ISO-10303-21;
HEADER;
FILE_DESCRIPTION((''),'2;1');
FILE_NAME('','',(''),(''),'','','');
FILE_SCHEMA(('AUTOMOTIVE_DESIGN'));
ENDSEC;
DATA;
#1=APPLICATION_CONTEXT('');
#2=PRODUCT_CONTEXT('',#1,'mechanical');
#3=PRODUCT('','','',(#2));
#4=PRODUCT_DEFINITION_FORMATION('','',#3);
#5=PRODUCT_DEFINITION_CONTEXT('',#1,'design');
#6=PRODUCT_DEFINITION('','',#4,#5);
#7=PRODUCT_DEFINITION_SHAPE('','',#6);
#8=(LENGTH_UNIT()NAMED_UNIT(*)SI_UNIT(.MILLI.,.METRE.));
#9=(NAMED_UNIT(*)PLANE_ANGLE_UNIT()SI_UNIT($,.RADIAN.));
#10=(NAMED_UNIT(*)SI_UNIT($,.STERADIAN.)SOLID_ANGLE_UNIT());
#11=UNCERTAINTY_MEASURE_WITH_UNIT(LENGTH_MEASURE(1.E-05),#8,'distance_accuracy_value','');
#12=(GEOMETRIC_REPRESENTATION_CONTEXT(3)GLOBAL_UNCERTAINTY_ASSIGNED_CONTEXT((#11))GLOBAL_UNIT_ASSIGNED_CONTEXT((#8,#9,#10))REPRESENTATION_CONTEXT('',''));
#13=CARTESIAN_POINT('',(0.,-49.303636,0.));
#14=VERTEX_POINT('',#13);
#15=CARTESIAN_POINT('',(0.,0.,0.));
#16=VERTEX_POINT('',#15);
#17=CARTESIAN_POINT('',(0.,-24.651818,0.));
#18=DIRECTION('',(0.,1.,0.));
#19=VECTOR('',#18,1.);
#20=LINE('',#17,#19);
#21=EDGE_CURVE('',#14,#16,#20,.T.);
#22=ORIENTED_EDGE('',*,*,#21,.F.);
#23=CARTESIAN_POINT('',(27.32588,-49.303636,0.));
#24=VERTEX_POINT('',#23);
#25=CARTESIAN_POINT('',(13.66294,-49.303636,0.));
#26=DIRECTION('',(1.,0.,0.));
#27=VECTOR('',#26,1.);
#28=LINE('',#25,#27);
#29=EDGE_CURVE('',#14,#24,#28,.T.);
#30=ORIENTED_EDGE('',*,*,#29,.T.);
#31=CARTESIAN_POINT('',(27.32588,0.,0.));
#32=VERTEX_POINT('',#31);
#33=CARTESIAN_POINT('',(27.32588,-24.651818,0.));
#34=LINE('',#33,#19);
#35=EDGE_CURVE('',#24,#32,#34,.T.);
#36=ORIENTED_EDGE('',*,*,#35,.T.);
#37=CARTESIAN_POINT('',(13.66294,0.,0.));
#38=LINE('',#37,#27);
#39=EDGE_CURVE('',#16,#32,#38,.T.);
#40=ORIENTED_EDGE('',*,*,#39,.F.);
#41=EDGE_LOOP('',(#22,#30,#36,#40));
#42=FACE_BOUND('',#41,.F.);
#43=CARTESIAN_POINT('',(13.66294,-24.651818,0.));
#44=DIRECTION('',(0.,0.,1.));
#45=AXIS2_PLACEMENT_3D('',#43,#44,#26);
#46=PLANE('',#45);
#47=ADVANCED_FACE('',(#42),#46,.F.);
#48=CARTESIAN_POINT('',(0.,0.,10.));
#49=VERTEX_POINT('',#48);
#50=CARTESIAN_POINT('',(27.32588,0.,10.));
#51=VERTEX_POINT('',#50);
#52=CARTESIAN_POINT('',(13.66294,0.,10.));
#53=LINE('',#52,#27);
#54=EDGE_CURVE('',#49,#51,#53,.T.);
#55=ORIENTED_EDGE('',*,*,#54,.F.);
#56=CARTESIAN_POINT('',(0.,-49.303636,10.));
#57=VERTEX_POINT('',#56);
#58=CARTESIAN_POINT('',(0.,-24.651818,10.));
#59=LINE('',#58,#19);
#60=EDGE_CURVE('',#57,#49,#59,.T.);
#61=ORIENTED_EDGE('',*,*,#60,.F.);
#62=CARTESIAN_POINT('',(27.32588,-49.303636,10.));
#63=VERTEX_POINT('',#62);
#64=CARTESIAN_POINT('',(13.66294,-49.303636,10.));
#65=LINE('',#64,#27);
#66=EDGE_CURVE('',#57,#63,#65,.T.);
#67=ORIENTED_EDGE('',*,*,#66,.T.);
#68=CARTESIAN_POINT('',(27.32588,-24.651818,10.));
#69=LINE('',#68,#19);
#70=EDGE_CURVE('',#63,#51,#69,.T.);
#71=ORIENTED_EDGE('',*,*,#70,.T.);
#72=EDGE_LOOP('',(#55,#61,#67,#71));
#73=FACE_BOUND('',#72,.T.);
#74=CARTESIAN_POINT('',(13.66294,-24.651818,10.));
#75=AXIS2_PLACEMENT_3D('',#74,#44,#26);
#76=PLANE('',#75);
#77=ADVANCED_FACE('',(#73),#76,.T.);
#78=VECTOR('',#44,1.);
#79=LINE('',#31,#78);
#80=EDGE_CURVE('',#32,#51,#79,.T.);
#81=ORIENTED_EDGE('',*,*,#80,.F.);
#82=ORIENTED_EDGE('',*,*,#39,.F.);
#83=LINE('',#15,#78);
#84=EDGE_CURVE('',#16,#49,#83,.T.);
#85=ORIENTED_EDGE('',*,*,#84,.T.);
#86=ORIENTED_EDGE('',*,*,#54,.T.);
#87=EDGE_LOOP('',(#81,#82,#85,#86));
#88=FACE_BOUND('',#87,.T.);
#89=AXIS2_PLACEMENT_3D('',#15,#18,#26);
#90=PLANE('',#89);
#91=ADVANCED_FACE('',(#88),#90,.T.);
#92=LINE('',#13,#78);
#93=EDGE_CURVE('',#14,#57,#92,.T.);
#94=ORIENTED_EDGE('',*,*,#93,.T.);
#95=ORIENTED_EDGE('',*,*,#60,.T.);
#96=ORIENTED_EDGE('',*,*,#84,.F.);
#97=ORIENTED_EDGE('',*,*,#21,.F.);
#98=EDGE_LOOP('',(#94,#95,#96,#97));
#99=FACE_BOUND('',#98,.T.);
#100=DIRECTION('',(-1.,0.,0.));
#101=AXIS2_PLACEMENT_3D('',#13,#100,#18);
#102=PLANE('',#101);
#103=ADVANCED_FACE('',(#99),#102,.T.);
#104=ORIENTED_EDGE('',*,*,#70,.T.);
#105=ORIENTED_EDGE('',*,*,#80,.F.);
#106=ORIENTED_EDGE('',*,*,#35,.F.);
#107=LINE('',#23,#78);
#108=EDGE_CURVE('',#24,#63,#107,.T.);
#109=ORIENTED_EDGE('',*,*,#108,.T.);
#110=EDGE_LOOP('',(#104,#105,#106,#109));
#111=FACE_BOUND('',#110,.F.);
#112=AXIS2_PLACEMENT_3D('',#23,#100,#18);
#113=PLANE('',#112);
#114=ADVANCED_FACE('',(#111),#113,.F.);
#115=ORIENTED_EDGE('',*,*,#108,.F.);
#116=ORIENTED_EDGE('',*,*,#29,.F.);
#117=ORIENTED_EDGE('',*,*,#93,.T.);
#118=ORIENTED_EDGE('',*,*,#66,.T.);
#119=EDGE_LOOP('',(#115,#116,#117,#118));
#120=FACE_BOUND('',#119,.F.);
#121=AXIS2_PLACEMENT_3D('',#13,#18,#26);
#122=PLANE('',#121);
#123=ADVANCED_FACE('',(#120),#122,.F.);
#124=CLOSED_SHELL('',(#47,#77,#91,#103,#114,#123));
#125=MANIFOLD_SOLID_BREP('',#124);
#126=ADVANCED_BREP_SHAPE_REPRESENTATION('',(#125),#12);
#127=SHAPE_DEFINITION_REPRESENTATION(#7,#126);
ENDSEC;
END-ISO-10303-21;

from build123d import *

# Parameters (mm, degrees)
F1_W     = 27.32588
F1_H     = 49.303636
F2_DEPTH = 10


with BuildPart() as f2:
    # F1 (on face) → F2 (new body)
    with BuildSketch(Plane.XY):
        with Locations((13.66294, -24.651818)):
            Rectangle(F1_W, F1_H)
    extrude(amount=F2_DEPTH)


solid = f2.part
